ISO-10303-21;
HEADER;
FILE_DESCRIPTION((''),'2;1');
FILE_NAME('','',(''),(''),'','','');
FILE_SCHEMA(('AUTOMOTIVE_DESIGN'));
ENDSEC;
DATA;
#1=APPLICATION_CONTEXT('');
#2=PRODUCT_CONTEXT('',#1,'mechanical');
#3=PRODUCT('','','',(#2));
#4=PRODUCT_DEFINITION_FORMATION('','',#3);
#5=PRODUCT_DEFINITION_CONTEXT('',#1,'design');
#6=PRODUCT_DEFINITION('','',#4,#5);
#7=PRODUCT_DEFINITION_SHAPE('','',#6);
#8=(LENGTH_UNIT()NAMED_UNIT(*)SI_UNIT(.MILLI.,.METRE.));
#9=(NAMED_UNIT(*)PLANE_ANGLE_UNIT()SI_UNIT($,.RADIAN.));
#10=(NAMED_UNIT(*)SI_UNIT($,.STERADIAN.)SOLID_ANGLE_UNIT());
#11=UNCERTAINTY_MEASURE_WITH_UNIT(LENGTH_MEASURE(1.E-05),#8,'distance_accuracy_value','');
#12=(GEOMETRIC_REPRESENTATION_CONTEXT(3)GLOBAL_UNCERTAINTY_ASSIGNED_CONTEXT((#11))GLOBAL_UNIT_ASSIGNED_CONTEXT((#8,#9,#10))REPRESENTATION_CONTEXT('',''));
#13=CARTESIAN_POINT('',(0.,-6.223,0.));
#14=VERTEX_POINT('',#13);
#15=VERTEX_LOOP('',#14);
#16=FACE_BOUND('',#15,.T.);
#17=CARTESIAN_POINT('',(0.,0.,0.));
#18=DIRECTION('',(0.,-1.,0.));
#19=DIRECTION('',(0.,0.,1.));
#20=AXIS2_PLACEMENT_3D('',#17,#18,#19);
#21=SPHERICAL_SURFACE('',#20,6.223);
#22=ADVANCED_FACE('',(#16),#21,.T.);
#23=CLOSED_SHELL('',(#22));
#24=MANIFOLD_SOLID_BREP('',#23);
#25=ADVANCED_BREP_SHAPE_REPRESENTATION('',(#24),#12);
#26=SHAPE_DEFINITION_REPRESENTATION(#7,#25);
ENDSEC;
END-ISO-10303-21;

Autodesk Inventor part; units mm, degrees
ref_plane "YZ Plane" through (0, 0, 0) normal (1, 0, 0) x (0, 1, 0)
ref_plane "XZ Plane" through (0, 0, 0) normal (0, 1, 0) x (-1, 0, 0)
ref_plane "XY Plane" through (0, 0, 0) normal (0, 0, 1) x (1, 0, 0)
sketch "Sketch1" plane through (0, 0, 0) normal (1, 0, 0) x (0, 1, 0)
  arc A0 (6.223, 0) -> (-6.223, 0) centre (0, 0) ccw
  line L0 (6.223, 0) -> (-6.223, 0)
  dimension "d0" = 12.446
revolve "Revolution1" add sketch "Sketch1" angle 360 about axis through (0, 6.223, 0) along (0, -1, 0)
properties part number "Ball sphere - goldberg"
